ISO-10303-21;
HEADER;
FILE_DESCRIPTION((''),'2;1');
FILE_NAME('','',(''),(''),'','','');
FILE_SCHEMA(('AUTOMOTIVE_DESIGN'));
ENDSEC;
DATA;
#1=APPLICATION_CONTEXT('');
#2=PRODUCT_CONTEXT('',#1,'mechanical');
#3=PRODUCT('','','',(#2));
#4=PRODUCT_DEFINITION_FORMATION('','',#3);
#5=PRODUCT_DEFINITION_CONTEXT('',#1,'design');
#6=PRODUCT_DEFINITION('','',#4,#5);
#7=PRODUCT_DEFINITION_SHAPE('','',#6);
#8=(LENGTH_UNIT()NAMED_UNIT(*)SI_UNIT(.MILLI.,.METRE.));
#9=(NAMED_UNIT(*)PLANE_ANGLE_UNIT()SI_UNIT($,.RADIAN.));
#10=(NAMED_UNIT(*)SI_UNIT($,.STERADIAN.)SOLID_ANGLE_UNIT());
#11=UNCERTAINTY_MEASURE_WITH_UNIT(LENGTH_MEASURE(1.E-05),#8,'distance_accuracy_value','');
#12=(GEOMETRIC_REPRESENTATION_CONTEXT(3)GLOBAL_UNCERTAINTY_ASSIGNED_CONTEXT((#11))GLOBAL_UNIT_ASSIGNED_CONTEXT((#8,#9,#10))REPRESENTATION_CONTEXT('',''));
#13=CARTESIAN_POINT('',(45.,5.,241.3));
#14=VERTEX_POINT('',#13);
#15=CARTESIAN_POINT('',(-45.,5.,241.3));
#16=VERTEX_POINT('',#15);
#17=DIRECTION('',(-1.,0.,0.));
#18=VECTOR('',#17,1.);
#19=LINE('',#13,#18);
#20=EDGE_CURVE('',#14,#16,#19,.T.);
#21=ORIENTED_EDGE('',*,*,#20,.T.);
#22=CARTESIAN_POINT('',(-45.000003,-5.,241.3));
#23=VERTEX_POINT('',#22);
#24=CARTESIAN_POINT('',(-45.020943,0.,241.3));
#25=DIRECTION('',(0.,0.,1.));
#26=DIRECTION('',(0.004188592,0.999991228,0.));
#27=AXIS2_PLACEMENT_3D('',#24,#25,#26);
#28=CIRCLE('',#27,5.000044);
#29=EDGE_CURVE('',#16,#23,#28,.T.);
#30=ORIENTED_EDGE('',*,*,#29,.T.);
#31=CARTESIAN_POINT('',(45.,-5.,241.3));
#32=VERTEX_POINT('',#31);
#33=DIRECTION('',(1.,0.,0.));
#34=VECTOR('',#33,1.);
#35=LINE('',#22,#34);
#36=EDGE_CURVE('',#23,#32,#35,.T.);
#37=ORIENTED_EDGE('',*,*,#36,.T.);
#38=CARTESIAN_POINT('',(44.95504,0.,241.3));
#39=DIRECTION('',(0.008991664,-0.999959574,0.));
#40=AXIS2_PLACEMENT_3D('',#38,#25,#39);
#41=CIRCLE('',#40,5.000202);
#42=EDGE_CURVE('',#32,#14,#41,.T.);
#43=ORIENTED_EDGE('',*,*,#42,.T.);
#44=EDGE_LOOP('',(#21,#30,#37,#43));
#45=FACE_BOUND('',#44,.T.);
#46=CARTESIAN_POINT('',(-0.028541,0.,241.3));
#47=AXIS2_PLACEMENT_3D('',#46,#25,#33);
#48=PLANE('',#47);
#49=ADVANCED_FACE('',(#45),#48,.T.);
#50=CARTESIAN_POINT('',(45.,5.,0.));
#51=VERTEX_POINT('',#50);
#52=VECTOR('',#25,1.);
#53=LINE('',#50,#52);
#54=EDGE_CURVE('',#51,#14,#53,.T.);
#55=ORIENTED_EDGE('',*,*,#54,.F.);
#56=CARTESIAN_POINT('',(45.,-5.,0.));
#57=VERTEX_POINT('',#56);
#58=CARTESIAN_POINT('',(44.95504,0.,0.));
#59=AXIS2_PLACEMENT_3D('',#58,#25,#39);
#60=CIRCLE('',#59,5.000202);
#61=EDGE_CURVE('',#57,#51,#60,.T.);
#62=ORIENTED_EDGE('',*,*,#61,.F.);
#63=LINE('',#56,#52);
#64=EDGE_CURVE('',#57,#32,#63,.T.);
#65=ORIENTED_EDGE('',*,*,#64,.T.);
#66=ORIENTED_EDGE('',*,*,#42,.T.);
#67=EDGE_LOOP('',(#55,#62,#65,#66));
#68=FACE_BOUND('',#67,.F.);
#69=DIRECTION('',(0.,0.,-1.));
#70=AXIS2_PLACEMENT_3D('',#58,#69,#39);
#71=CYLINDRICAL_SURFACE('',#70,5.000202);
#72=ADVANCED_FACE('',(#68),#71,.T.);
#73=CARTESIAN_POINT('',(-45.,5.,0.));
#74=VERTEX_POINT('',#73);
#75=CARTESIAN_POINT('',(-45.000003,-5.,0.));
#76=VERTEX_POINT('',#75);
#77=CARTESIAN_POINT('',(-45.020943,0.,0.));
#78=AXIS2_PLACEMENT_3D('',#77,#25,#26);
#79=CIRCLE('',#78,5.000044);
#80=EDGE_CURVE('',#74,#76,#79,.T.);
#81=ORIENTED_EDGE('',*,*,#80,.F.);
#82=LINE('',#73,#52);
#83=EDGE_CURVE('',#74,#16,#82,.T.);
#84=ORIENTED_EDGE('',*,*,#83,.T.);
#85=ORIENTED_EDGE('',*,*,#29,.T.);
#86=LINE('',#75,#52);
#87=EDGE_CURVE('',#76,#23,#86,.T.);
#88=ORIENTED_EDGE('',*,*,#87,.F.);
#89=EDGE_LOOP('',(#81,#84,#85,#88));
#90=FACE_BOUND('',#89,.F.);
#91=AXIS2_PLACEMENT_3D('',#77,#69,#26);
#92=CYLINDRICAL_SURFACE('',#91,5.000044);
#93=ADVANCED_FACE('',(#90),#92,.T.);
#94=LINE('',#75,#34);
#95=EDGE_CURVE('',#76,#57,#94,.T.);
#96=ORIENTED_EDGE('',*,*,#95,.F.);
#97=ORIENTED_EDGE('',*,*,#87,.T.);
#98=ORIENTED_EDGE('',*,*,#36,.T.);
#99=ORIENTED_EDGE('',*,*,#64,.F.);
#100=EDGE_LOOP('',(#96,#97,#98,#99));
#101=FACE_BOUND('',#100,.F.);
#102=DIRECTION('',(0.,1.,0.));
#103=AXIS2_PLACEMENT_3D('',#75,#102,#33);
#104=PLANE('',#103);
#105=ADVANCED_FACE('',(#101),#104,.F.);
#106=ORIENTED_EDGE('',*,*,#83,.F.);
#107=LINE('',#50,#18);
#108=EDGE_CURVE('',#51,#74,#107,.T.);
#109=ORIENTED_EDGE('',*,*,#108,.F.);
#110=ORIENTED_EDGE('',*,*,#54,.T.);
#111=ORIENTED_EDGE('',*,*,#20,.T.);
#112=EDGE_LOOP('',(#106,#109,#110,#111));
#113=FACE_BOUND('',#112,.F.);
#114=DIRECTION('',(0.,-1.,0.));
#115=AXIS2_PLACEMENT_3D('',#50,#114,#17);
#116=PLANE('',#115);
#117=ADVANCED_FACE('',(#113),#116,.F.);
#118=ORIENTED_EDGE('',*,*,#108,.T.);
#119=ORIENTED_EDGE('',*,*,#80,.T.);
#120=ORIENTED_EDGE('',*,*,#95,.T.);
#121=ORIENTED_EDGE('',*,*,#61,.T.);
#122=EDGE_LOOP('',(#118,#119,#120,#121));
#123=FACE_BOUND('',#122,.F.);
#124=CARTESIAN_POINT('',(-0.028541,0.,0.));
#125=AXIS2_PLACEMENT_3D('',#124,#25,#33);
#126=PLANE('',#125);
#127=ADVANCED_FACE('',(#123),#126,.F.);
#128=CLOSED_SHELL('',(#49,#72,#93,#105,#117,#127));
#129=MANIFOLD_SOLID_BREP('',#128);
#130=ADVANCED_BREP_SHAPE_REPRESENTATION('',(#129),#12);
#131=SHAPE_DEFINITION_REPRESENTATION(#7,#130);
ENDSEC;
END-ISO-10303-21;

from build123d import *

# Parameters (mm, degrees)
PAD_DEPTH = 241.3


with BuildPart() as part:
    # Sketch → Pad (new body)
    with BuildSketch(Plane.XY):
        with BuildLine():
            Line((-45.000003, -5), (45, -5))
            ThreePointArc((45, -5), (49.955242, 0), (45, 5))
            Line((45, 5), (-45, 5))
            ThreePointArc((-45, 5), (-50.020987, 1e-06), (-45.000003, -5))
        make_face()
    extrude(amount=PAD_DEPTH)


solid = part.part
